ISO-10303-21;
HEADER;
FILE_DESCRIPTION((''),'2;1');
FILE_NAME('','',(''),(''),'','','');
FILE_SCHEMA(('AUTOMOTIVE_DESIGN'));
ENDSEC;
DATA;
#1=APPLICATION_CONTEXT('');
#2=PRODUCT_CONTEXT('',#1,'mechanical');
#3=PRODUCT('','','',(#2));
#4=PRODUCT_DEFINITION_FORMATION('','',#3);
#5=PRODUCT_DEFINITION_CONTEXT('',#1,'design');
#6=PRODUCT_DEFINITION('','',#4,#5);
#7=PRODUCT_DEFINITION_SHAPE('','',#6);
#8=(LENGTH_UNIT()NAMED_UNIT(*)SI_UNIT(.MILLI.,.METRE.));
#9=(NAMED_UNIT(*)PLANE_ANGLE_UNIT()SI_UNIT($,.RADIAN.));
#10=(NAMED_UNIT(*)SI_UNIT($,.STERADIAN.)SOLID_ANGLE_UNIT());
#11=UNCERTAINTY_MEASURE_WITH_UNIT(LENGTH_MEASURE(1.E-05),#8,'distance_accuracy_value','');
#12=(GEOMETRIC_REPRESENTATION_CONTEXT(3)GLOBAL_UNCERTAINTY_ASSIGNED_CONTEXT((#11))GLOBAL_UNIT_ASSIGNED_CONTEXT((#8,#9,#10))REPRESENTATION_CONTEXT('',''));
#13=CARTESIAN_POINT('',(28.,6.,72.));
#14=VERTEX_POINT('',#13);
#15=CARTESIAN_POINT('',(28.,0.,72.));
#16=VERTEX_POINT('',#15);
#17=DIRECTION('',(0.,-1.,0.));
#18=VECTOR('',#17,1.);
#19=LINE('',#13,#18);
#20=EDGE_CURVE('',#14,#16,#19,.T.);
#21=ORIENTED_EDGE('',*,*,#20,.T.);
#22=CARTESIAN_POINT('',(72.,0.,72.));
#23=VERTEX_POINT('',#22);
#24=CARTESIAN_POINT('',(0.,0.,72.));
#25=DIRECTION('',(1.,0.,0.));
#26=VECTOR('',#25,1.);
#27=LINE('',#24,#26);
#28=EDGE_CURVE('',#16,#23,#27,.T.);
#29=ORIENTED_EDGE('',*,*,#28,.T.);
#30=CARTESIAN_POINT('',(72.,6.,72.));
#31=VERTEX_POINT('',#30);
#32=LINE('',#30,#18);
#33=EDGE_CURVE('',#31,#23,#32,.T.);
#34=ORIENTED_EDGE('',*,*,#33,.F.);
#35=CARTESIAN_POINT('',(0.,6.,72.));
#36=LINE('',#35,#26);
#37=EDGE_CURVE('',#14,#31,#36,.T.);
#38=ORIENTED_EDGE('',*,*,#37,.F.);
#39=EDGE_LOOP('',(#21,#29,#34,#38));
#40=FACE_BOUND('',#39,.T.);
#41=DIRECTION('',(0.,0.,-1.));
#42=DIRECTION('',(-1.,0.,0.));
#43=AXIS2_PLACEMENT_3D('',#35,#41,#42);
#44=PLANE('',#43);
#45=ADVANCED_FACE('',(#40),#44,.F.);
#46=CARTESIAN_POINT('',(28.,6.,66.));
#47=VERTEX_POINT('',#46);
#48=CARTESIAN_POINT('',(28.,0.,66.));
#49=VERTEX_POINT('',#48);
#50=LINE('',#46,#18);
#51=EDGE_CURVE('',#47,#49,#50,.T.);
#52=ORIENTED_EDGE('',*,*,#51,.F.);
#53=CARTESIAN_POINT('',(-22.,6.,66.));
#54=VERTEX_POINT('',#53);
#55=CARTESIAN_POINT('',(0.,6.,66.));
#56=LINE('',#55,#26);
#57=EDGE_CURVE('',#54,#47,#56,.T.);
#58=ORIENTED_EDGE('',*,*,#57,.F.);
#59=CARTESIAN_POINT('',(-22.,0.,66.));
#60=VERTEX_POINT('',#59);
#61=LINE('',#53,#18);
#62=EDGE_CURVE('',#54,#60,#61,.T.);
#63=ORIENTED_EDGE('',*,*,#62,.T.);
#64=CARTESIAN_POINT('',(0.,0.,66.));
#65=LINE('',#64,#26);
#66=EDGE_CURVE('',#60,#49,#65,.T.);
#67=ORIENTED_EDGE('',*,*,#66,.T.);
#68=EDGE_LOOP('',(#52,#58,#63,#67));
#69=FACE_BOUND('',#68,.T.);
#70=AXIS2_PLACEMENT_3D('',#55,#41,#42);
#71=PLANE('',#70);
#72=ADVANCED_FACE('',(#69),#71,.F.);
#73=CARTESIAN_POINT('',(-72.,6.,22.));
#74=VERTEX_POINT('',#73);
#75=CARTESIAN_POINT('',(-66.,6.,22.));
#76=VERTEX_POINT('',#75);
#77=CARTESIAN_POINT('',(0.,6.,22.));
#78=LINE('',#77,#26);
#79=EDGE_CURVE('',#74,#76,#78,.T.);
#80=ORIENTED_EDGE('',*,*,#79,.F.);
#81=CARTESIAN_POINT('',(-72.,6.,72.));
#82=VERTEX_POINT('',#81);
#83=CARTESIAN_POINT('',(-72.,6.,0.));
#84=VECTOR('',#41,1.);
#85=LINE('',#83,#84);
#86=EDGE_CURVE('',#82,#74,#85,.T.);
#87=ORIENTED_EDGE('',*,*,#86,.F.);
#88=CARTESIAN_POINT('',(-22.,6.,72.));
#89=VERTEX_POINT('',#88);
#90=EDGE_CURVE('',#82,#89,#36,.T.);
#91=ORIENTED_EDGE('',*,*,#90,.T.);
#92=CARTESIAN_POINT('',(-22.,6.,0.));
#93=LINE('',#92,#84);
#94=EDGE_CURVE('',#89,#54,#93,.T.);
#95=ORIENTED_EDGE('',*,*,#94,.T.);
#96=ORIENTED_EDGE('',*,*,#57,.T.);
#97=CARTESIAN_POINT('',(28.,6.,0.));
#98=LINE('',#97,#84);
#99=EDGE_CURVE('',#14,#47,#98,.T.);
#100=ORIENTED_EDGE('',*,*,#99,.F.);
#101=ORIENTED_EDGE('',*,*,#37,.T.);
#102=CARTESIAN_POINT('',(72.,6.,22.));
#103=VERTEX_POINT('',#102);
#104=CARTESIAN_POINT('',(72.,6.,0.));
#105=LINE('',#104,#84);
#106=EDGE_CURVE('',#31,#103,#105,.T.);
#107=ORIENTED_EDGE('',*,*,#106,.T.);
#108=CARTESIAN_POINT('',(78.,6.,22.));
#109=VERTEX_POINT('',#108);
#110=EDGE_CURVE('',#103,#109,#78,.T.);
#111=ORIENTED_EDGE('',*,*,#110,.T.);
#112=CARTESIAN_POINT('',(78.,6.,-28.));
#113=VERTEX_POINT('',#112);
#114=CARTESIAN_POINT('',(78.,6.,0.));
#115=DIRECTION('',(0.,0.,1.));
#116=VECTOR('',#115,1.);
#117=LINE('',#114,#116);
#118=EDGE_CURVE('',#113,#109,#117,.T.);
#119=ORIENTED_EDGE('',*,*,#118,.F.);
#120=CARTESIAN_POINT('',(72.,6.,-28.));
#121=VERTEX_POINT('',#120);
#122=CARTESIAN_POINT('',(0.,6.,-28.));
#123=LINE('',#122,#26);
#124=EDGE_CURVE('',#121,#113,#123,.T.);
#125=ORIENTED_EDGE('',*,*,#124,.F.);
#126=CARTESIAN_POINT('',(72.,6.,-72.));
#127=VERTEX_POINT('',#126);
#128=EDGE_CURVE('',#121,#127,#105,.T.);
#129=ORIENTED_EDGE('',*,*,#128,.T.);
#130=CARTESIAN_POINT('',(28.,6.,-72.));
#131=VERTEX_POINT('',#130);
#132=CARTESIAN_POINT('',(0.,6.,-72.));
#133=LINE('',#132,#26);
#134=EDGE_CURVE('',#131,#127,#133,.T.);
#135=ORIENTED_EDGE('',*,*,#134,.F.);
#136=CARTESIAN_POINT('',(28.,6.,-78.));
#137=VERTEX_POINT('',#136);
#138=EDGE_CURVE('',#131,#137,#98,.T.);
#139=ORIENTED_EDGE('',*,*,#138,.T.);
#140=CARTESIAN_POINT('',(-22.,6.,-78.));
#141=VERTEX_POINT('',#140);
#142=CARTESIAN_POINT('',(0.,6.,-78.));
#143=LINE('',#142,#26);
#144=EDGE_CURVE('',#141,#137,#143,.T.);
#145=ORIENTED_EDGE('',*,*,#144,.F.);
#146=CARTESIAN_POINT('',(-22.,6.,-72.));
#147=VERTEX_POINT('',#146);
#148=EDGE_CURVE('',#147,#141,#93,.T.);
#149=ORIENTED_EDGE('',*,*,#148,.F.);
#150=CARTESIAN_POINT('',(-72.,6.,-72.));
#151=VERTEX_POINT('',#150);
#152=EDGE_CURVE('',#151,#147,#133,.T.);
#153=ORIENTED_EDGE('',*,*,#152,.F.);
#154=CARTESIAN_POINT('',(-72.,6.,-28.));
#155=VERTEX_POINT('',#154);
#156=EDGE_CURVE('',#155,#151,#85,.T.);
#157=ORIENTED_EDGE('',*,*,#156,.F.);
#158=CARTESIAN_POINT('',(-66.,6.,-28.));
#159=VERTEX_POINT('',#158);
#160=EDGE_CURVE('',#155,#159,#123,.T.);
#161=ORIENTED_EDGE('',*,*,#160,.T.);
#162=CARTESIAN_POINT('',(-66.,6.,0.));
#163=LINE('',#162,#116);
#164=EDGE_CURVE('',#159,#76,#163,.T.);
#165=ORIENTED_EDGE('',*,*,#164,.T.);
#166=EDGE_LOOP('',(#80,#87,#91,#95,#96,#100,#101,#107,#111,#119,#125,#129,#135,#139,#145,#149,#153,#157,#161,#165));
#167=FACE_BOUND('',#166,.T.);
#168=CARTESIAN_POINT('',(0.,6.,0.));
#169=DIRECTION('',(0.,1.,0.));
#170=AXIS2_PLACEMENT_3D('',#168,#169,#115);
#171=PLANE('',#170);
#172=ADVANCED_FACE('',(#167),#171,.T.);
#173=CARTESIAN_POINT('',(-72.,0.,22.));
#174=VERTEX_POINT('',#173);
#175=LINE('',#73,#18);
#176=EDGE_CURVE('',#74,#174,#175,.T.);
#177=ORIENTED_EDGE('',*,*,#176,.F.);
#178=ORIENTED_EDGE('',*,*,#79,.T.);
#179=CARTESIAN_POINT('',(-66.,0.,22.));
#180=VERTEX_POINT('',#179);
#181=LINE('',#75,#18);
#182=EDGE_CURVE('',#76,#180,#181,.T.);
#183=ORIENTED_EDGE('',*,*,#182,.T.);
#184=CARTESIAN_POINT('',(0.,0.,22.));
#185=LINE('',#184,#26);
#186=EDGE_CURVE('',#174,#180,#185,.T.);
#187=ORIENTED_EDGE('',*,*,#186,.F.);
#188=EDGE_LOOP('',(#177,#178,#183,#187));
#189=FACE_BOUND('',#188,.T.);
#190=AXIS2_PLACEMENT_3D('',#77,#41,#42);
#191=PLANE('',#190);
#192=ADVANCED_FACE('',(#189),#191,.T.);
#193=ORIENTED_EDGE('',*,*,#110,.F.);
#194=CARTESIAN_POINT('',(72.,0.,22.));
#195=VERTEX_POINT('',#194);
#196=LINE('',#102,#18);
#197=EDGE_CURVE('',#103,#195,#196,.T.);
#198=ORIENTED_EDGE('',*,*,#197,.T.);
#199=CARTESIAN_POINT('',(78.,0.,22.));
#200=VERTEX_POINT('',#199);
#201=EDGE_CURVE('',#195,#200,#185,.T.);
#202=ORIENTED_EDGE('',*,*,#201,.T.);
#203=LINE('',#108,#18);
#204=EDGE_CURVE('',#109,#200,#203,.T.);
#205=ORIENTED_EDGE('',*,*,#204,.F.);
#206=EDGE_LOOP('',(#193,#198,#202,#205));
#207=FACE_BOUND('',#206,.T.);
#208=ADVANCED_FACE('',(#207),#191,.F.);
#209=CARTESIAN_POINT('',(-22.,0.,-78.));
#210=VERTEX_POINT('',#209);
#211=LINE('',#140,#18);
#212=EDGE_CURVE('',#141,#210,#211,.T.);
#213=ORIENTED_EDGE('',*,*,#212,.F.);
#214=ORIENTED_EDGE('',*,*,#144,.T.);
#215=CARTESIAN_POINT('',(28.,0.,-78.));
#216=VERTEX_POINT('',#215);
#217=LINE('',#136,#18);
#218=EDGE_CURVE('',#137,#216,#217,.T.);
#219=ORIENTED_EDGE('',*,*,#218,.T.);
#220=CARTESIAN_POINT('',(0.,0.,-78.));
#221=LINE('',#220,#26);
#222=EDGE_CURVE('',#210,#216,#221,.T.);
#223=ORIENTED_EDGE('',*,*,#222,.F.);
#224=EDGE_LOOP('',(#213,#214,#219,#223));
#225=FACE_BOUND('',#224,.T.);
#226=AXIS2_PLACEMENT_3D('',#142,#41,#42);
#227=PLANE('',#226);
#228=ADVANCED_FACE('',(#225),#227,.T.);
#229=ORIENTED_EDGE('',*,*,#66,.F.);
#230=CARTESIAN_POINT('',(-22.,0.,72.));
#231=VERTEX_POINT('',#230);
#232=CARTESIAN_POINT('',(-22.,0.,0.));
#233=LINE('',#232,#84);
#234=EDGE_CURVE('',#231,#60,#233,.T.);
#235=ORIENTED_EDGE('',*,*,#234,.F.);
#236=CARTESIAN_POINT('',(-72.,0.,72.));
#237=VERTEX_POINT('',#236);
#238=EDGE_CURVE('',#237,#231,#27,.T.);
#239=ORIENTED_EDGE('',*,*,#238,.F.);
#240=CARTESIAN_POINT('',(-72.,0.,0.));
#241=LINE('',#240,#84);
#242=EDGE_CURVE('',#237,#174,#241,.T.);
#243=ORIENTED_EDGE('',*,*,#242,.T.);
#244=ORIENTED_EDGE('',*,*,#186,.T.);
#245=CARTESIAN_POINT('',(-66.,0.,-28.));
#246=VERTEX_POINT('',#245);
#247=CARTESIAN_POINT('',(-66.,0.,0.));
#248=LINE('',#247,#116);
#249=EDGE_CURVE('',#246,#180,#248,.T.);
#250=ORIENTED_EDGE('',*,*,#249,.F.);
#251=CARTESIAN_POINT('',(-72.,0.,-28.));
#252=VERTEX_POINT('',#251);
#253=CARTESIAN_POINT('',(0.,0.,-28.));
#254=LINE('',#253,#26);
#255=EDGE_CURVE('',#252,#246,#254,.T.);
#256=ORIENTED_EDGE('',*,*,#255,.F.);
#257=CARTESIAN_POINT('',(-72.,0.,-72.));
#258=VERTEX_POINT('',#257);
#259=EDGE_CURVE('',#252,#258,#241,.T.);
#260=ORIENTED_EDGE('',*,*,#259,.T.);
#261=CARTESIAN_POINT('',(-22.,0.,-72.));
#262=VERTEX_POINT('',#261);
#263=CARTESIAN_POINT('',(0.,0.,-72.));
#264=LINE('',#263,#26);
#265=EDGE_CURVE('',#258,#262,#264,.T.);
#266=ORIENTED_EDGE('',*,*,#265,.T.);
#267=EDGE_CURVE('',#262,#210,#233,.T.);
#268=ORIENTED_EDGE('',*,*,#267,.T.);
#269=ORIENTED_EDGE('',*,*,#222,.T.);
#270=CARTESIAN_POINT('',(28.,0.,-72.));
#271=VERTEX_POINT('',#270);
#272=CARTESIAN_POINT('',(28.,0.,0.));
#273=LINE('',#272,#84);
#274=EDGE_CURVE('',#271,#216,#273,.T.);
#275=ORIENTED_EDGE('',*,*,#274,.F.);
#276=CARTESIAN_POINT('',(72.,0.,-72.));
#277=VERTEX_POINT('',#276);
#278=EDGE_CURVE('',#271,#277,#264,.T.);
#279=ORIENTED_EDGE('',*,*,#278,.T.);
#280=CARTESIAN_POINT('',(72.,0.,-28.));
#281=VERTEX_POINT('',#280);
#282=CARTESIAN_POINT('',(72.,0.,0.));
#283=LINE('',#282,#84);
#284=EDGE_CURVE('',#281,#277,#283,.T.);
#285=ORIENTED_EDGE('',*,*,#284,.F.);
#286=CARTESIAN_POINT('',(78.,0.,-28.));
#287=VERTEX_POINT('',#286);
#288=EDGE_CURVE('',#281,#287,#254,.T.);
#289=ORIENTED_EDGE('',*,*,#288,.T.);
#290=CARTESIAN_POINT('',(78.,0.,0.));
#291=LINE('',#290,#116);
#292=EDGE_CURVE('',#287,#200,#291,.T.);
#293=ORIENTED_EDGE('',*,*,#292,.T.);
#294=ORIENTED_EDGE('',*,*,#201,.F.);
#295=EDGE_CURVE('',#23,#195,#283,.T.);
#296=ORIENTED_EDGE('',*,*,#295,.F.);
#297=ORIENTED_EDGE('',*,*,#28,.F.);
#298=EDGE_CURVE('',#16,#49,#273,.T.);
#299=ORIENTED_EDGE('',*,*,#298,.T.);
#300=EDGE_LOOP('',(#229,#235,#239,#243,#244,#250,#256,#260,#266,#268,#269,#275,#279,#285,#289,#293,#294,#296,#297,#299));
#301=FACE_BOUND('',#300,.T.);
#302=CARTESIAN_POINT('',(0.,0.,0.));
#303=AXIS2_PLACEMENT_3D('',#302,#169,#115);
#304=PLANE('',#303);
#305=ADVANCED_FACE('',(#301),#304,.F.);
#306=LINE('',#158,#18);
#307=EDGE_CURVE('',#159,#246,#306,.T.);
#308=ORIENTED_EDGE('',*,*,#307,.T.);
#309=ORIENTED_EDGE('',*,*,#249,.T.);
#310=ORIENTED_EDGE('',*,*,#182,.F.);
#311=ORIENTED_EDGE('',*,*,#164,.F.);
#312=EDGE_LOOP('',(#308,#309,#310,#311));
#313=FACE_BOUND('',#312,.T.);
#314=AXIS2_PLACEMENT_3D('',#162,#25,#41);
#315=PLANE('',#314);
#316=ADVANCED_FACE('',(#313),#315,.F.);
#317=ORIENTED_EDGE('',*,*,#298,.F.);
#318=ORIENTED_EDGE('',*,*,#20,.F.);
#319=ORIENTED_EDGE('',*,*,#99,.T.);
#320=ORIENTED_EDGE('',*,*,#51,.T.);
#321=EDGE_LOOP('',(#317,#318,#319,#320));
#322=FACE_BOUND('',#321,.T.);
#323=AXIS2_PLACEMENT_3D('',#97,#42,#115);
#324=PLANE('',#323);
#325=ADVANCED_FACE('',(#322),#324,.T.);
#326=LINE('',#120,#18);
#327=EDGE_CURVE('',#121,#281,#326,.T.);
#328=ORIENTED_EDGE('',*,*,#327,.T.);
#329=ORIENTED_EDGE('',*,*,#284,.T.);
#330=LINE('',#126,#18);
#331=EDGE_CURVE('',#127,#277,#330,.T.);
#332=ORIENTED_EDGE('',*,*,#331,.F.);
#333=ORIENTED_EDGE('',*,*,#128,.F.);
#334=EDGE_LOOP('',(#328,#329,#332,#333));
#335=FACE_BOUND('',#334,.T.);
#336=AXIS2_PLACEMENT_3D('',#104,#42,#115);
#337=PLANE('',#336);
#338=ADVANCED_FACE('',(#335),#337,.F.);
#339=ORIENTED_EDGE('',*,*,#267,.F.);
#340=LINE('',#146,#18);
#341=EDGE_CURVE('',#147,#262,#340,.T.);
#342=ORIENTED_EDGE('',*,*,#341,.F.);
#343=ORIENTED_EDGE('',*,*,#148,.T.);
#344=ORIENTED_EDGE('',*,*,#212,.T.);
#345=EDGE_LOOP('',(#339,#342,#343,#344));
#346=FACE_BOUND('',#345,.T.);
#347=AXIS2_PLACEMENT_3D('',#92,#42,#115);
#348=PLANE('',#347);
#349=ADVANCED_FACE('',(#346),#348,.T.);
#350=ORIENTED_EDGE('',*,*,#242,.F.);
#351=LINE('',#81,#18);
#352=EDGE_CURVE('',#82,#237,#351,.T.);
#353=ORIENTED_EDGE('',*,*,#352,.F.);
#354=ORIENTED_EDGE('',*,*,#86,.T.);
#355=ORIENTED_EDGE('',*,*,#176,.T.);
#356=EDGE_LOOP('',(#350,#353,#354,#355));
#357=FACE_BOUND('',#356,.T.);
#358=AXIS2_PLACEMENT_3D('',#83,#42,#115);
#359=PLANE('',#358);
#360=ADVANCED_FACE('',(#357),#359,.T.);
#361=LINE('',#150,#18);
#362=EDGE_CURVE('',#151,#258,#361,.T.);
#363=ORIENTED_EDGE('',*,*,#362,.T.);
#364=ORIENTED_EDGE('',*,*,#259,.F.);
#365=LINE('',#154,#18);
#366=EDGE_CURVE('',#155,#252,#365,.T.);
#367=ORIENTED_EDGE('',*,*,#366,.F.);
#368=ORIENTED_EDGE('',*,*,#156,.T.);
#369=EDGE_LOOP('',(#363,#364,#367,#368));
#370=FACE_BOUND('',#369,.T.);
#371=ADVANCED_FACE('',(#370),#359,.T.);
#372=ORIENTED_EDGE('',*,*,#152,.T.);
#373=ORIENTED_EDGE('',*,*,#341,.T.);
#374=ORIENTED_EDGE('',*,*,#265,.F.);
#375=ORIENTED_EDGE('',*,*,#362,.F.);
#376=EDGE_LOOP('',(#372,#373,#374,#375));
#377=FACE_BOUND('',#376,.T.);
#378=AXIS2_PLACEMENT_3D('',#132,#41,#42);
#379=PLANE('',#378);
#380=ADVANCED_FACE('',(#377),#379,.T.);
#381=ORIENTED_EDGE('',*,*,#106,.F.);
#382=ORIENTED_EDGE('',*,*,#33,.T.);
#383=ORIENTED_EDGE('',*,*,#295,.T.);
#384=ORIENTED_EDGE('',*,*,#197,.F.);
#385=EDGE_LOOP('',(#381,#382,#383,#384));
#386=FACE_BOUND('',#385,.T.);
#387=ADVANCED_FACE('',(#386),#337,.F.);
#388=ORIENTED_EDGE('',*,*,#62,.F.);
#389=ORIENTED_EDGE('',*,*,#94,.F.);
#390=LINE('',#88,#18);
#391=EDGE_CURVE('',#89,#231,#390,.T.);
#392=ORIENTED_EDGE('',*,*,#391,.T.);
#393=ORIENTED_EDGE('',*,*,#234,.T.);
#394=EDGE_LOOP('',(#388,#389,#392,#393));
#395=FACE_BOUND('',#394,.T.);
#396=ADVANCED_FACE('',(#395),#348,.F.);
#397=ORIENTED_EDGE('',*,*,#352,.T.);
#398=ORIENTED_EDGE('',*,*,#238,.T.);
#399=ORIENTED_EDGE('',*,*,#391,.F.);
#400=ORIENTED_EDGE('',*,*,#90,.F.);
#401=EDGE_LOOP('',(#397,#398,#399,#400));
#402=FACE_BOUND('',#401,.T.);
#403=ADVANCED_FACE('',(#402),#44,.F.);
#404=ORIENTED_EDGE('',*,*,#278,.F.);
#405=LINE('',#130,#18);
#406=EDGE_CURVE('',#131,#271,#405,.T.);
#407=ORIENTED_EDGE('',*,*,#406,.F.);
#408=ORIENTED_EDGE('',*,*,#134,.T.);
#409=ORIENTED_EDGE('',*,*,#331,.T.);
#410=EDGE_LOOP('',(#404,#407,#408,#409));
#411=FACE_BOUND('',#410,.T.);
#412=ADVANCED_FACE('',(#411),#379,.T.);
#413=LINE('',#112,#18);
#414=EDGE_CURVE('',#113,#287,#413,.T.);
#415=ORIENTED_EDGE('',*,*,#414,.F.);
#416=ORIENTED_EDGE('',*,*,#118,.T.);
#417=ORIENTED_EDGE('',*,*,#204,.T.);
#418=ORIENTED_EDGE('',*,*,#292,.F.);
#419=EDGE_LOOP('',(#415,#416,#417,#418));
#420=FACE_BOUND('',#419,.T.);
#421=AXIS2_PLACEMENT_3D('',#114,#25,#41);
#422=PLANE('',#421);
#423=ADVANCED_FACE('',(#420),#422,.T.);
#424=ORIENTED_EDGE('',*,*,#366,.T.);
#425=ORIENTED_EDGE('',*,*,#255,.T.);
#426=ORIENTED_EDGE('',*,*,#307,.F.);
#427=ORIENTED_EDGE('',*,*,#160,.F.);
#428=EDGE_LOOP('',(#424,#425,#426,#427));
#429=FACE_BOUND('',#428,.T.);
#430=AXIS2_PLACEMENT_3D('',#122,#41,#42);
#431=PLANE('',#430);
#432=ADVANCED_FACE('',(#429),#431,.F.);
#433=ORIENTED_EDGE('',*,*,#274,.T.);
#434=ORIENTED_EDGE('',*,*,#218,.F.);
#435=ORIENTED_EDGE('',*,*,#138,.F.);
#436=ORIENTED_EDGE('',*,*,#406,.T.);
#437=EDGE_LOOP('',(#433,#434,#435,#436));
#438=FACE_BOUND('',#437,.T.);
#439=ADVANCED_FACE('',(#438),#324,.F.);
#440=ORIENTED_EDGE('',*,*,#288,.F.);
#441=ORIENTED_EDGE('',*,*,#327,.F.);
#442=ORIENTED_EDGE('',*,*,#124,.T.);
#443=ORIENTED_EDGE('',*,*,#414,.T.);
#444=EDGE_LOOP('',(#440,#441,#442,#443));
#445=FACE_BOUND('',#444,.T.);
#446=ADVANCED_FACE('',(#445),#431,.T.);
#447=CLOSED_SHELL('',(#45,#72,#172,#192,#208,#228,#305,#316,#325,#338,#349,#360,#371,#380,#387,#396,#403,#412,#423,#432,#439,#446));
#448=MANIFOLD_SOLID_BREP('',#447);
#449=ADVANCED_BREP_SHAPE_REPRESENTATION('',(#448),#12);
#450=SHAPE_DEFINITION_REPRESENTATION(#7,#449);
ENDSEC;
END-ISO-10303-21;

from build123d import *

# Parameters (mm, degrees)
SKETCH1_W           = 50
SKETCH1_H           = 6
SKETCH1_W_2         = 6
SKETCH1_H_2         = 50
BOSS_EXTRUDE1_DEPTH = 6


with BuildPart() as part:
    # Sketch1 → Boss-Extrude1 (new body)
    with BuildSketch(Plane(origin=(0, 0, 0), x_dir=(1, 0, 0), z_dir=(0, 1, 0))):
        Polygon((-72, 72), (-72, 28), (-66, 28), (-66, -22), (-72, -22), (-72, -72), (-22, -72), (-22, -66), (28, -66), (28, -72), (72, -72), (72, -22), (72, 28), (72, 72), (28, 72), (-22, 72), align=None)
        with Locations((3, 75)):
            Rectangle(SKETCH1_W, SKETCH1_H)
        with Locations((75, 3)):
            Rectangle(SKETCH1_W_2, SKETCH1_H_2)
    extrude(amount=BOSS_EXTRUDE1_DEPTH)


solid = part.part
